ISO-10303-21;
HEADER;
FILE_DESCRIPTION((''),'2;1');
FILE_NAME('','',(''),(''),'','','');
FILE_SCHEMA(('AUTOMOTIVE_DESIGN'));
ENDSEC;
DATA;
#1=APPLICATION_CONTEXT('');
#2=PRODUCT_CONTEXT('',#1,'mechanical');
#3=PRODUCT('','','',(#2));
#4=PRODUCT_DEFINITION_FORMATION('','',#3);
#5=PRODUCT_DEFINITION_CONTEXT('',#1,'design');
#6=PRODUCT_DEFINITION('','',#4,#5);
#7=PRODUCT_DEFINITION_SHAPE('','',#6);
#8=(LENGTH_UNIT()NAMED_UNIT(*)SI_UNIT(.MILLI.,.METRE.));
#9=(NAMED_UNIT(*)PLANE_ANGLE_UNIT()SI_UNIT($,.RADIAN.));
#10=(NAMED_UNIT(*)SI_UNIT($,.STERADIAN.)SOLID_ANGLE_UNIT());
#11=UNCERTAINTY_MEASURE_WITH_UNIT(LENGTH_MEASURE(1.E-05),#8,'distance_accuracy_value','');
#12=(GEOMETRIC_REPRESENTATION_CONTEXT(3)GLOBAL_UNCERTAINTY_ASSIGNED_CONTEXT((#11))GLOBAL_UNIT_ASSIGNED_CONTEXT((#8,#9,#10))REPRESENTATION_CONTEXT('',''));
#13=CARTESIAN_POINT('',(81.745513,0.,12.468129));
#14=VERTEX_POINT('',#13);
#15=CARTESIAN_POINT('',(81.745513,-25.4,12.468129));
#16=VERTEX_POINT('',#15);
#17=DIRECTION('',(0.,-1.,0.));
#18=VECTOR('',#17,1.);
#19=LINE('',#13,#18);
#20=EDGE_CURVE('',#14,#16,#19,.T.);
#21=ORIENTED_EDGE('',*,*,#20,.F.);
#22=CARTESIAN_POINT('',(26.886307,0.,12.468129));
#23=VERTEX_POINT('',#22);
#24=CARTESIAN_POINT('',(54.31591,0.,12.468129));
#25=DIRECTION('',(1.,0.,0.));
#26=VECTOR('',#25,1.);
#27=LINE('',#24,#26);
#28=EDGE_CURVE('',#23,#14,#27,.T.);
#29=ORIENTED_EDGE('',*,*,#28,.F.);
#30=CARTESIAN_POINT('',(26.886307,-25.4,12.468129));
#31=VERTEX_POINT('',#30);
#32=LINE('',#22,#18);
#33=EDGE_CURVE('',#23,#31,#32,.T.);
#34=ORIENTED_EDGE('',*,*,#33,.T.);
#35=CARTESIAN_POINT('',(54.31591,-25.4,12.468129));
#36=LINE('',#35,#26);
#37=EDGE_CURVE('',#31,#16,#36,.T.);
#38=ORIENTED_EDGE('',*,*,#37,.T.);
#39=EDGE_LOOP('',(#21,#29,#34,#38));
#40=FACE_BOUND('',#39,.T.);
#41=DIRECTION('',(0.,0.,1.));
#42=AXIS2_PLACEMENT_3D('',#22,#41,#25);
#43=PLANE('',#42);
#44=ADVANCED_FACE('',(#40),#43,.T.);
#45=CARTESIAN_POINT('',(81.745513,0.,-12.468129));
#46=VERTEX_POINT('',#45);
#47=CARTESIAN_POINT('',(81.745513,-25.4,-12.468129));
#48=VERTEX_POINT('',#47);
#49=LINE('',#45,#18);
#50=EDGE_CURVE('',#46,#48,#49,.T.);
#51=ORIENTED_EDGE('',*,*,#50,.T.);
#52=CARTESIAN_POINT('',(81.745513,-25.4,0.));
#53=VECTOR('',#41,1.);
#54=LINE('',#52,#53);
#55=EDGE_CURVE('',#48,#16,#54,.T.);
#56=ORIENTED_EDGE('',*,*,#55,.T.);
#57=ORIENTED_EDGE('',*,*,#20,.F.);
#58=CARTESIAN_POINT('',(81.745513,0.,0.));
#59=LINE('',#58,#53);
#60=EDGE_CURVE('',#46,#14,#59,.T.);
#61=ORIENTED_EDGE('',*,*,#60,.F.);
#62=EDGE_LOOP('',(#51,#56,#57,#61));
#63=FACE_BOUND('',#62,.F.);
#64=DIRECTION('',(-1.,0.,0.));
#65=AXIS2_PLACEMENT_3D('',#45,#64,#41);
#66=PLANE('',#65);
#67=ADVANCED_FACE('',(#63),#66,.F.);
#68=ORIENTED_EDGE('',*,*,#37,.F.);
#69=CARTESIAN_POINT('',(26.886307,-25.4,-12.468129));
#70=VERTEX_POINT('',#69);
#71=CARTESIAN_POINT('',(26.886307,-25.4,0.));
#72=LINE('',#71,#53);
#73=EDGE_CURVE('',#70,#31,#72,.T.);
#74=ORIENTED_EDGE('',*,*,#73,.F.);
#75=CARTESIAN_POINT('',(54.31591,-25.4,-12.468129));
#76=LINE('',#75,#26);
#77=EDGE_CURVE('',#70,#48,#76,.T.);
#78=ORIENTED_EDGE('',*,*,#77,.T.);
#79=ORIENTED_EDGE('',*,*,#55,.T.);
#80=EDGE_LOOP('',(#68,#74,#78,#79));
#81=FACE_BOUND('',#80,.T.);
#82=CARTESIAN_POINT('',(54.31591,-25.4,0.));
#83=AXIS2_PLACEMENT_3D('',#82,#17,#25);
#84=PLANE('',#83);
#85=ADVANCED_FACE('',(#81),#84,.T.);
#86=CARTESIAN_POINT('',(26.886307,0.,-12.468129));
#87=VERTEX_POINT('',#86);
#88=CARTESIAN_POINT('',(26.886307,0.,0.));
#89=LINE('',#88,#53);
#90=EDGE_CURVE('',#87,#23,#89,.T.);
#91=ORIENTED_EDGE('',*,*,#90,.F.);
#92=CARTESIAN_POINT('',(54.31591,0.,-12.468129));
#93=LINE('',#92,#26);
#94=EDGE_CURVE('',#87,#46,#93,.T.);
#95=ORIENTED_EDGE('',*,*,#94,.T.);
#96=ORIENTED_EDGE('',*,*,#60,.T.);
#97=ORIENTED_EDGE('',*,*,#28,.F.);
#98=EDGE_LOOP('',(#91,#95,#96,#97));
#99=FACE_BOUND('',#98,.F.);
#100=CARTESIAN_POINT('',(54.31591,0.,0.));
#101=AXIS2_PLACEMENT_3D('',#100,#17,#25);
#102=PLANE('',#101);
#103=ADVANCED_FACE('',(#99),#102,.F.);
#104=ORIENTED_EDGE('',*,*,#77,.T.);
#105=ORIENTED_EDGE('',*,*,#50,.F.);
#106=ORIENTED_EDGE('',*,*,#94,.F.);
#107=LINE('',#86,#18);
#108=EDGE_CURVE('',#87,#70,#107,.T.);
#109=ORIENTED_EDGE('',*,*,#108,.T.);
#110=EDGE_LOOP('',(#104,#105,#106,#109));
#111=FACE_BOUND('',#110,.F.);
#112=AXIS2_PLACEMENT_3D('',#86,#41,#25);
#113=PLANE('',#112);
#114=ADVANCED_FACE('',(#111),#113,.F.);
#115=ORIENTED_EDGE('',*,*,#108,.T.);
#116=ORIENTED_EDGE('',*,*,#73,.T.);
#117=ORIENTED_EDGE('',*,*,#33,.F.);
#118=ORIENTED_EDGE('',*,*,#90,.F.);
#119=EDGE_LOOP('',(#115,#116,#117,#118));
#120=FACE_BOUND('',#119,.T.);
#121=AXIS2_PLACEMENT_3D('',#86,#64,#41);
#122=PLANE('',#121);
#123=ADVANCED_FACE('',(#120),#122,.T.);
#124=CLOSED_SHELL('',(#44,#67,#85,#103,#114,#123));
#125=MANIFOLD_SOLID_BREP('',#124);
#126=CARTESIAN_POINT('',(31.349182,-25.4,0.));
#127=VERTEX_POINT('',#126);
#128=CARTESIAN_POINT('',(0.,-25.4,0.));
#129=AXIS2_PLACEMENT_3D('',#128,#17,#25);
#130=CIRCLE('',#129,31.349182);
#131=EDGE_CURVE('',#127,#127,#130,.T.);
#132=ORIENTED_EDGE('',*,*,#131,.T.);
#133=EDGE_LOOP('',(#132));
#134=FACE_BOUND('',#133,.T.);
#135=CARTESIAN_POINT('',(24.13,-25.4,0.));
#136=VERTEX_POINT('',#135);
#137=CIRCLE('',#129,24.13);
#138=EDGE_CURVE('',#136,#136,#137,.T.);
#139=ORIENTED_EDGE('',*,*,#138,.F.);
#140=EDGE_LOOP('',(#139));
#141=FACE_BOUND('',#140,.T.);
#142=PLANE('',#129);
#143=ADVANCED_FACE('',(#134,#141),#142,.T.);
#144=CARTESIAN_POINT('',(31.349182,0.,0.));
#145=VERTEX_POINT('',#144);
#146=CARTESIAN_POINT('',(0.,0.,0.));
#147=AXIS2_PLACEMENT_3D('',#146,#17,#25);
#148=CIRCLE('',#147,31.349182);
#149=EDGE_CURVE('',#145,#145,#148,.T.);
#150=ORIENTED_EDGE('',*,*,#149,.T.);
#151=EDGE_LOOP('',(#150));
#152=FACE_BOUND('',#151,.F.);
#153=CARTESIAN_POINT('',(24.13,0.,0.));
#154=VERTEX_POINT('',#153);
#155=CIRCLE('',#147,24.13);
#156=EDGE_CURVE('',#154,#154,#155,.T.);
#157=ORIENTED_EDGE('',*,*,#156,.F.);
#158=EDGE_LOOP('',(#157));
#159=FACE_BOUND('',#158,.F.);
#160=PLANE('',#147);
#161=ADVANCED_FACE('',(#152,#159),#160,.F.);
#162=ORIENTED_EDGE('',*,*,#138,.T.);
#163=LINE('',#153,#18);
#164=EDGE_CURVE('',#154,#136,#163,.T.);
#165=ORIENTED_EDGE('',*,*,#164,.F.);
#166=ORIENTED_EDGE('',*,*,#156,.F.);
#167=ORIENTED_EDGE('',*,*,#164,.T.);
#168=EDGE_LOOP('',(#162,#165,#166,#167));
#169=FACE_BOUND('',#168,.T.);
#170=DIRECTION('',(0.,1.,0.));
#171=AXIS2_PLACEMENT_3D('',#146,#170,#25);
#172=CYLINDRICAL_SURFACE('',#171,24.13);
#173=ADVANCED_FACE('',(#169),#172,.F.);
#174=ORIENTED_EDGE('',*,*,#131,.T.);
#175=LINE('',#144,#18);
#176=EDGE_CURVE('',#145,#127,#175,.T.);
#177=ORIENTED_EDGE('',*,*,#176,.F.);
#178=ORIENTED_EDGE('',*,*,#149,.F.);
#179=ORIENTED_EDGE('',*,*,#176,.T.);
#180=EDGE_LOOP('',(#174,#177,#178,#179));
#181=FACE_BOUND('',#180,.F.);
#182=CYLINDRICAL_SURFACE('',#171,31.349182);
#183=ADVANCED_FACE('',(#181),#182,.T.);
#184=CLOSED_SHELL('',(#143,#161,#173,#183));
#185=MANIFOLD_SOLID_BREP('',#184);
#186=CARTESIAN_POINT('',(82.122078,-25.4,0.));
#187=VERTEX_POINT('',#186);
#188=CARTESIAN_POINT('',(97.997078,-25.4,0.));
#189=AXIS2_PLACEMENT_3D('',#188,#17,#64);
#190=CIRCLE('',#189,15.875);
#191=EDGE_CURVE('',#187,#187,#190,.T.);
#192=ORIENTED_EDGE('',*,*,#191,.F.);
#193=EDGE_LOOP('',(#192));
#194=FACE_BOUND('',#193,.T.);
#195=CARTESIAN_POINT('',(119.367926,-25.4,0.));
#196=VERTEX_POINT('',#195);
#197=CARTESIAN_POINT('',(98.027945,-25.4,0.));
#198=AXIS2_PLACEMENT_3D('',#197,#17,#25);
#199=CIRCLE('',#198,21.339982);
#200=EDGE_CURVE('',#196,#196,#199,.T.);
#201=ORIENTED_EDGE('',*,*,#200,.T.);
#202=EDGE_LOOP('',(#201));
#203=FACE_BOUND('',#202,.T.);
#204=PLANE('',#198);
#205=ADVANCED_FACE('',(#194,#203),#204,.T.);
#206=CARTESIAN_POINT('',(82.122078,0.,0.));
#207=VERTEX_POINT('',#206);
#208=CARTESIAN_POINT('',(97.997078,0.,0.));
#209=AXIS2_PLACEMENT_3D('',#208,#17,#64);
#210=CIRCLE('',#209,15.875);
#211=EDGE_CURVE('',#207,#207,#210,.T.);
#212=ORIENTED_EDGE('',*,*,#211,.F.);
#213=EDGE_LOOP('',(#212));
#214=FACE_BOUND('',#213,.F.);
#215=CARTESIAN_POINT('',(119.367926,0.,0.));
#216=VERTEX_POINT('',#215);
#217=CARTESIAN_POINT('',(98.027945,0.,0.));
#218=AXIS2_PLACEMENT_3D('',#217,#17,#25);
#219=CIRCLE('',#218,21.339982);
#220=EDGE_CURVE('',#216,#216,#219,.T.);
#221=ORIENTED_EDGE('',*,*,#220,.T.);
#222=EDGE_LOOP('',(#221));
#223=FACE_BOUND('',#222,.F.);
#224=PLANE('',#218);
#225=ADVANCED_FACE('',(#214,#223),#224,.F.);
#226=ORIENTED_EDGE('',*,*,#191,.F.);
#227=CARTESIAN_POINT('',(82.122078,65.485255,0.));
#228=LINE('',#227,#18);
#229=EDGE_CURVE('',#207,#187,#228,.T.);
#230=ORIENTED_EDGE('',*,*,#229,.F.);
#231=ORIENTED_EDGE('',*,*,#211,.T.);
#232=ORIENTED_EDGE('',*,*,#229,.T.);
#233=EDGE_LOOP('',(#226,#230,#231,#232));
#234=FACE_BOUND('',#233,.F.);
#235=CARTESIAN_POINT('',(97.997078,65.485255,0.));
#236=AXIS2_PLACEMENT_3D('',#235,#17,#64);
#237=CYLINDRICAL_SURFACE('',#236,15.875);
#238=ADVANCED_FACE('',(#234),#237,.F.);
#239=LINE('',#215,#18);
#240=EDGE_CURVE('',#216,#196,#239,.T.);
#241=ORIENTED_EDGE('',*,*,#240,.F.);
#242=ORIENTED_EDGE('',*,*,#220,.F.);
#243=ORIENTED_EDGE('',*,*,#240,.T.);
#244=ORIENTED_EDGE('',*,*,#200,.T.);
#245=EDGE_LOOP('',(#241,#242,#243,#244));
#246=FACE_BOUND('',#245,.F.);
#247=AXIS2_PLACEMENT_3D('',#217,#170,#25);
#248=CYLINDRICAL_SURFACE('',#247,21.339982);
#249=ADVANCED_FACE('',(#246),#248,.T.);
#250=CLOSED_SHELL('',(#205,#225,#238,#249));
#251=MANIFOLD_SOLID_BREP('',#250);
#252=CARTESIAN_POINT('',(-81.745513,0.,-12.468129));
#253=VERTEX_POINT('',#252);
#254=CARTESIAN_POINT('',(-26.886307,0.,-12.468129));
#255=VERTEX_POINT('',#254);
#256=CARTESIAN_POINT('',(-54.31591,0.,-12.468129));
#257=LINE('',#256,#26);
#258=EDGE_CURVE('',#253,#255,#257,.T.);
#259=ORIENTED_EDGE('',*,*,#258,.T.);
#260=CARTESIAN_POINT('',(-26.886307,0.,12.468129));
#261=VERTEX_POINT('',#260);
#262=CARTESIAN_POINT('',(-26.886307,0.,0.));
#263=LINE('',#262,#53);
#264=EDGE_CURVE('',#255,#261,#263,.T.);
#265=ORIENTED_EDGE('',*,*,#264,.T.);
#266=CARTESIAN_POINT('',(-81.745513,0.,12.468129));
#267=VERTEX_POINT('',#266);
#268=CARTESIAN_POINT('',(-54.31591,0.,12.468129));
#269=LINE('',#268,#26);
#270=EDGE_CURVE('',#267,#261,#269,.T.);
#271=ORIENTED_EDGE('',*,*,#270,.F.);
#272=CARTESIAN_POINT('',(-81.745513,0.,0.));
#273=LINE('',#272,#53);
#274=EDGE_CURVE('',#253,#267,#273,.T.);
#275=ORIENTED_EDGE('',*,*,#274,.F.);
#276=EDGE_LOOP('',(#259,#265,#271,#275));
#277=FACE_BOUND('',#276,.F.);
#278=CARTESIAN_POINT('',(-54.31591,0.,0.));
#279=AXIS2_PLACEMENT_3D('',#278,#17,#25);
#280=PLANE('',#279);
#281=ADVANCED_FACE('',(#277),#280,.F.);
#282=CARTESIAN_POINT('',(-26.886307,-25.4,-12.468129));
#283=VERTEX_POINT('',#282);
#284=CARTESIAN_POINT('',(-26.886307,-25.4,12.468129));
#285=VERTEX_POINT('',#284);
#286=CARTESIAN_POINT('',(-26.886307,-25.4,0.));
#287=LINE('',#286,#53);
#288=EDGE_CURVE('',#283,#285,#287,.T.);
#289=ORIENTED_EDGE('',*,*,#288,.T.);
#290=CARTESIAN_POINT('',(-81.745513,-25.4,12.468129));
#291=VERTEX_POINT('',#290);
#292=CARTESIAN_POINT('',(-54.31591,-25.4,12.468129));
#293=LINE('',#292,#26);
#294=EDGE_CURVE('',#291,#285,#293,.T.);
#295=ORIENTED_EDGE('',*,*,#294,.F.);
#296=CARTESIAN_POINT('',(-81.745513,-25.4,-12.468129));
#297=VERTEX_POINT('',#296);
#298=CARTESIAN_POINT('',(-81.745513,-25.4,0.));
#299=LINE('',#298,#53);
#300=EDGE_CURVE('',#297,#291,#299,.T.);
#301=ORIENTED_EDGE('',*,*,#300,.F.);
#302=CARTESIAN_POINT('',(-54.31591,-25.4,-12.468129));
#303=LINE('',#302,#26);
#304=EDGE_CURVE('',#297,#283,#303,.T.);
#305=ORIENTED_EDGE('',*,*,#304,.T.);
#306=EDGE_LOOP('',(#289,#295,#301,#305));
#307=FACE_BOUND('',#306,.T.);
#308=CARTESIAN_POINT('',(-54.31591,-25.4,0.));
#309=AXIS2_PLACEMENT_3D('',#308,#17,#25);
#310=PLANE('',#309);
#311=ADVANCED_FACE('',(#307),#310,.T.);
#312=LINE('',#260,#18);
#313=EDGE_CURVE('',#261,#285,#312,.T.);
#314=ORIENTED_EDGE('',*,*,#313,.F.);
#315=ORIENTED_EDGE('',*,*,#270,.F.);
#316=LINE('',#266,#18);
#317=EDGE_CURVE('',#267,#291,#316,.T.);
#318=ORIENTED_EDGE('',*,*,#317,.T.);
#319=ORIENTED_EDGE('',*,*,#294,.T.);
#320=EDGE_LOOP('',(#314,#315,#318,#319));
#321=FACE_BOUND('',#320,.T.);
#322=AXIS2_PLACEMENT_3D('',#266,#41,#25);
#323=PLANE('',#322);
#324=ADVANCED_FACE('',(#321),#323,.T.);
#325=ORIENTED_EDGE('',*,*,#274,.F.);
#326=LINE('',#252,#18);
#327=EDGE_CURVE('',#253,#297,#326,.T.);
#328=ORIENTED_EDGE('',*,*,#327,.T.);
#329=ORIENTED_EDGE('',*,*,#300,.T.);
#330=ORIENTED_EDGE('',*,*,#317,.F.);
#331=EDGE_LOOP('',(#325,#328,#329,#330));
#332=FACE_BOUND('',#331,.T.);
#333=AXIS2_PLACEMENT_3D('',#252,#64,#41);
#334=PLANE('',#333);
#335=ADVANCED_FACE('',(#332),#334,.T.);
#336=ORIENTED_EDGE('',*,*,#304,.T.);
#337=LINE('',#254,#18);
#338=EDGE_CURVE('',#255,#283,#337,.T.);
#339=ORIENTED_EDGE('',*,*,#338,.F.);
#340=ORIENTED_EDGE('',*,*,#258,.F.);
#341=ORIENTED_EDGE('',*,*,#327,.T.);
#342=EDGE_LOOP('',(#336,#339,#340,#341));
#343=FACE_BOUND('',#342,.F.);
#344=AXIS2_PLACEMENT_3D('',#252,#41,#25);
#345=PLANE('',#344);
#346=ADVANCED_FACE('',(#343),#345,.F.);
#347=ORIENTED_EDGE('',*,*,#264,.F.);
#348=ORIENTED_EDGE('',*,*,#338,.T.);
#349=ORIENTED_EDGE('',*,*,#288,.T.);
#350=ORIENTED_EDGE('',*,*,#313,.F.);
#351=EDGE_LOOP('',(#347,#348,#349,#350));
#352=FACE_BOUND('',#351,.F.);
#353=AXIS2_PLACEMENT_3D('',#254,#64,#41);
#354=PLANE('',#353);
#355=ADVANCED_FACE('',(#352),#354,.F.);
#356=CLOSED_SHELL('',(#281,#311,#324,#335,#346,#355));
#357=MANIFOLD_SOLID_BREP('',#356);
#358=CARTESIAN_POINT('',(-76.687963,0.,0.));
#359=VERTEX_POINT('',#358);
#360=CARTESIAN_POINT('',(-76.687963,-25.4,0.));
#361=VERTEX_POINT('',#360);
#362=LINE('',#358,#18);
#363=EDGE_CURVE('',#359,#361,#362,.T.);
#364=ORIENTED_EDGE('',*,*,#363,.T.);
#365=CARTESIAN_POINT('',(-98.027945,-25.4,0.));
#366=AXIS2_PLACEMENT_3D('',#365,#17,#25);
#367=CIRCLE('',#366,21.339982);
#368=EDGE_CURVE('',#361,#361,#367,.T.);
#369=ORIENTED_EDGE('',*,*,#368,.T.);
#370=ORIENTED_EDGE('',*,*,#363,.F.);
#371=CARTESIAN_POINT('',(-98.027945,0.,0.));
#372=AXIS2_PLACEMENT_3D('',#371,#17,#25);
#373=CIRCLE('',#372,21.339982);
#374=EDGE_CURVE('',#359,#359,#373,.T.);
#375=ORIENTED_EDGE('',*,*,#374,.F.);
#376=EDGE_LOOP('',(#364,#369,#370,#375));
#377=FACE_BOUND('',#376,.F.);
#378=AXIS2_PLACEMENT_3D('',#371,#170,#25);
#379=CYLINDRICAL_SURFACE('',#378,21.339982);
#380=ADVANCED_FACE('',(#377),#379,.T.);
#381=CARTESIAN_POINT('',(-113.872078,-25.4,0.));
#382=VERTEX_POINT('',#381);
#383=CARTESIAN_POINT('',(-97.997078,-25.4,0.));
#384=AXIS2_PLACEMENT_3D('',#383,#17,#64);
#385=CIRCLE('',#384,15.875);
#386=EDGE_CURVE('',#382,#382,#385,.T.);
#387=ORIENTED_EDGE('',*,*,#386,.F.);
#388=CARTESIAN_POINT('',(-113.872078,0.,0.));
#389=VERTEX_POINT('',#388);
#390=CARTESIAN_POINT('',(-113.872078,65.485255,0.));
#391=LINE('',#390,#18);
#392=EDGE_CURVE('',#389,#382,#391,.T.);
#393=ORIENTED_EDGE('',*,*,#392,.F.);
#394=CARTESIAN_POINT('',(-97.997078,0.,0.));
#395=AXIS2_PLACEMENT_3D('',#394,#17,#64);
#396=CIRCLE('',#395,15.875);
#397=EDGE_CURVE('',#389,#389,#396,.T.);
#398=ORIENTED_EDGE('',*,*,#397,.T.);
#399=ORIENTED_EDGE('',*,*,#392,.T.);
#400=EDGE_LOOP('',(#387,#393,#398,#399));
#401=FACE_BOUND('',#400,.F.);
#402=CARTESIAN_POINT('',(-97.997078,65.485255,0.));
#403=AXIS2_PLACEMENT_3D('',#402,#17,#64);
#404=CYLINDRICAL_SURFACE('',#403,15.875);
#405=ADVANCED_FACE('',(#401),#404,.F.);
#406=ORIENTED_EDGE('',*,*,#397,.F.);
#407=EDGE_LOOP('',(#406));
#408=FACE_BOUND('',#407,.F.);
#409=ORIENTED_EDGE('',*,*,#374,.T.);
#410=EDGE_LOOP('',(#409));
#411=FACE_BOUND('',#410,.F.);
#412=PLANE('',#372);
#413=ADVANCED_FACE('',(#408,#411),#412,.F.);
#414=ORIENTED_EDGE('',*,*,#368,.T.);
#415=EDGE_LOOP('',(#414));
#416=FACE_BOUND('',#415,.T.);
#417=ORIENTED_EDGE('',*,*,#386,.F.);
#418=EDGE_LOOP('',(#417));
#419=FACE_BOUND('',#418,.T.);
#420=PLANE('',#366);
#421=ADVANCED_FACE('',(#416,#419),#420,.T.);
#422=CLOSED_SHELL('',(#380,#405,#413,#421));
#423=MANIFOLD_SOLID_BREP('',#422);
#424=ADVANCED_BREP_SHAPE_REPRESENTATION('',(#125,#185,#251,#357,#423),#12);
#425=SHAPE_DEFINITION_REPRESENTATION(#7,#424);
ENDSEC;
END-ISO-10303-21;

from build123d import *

# Parameters (mm, degrees)
F1_R     = 21.3399819069
F4_DEPTH = 25.4
F3_W     = 54.8592060804
F3_H     = 24.9362587929
F0_R     = 31.349181605
F0_R_2   = 24.13
F5_D     = 31.75
F5_2_D   = 31.75


with BuildPart() as f4:
    # F1 (on Front) → F4 (new body)
    with BuildSketch(Plane.XZ):
        with Locations((-98.0279445648, 0)):
            Circle(F1_R)
    extrude(amount=F4_DEPTH)

    # F5 (through all)
    with Locations(Plane(origin=(0, 0, 0), x_dir=(1, 0, 0), z_dir=(0, 1, 0))):
        with Locations((97.9970778847, 0), (-97.9970778847, 0)):
            Hole(F5_D / 2)


with BuildPart() as f4b:
    # F1 (on Front) → F4, piece 2 (new body)
    with BuildSketch(Plane.XZ):
        with Locations((98.0279445648, 0)):
            Circle(F1_R)
    extrude(amount=F4_DEPTH)

    # F5#2 (through all)
    with Locations(Plane(origin=(0, 0, 0), x_dir=(1, 0, 0), z_dir=(0, 1, 0))):
        with Locations((97.9970778847, 0), (-97.9970778847, 0)):
            Hole(F5_2_D / 2)


with BuildPart() as f4c:
    # F3 (on Front) → F4, piece 3 (new body)
    with BuildSketch(Plane.XZ):
        with Locations((-54.3159097433, 0)):
            Rectangle(F3_W, F3_H)
    extrude(amount=F4_DEPTH)


with BuildPart() as f4d:
    # F3 (on Front) → F4, piece 4 (new body)
    with BuildSketch(Plane.XZ):
        with Locations((54.3159097433, 0)):
            Rectangle(F3_W, F3_H)
    extrude(amount=F4_DEPTH)


with BuildPart() as f4e:
    # F0 (on Front) → F4, piece 5 (new body)
    with BuildSketch(Plane.XZ):
        Circle(F0_R)
        Circle(F0_R_2, mode=Mode.SUBTRACT)
    extrude(amount=F4_DEPTH)


solid = Compound([f4.part, f4b.part, f4c.part, f4d.part, f4e.part])
